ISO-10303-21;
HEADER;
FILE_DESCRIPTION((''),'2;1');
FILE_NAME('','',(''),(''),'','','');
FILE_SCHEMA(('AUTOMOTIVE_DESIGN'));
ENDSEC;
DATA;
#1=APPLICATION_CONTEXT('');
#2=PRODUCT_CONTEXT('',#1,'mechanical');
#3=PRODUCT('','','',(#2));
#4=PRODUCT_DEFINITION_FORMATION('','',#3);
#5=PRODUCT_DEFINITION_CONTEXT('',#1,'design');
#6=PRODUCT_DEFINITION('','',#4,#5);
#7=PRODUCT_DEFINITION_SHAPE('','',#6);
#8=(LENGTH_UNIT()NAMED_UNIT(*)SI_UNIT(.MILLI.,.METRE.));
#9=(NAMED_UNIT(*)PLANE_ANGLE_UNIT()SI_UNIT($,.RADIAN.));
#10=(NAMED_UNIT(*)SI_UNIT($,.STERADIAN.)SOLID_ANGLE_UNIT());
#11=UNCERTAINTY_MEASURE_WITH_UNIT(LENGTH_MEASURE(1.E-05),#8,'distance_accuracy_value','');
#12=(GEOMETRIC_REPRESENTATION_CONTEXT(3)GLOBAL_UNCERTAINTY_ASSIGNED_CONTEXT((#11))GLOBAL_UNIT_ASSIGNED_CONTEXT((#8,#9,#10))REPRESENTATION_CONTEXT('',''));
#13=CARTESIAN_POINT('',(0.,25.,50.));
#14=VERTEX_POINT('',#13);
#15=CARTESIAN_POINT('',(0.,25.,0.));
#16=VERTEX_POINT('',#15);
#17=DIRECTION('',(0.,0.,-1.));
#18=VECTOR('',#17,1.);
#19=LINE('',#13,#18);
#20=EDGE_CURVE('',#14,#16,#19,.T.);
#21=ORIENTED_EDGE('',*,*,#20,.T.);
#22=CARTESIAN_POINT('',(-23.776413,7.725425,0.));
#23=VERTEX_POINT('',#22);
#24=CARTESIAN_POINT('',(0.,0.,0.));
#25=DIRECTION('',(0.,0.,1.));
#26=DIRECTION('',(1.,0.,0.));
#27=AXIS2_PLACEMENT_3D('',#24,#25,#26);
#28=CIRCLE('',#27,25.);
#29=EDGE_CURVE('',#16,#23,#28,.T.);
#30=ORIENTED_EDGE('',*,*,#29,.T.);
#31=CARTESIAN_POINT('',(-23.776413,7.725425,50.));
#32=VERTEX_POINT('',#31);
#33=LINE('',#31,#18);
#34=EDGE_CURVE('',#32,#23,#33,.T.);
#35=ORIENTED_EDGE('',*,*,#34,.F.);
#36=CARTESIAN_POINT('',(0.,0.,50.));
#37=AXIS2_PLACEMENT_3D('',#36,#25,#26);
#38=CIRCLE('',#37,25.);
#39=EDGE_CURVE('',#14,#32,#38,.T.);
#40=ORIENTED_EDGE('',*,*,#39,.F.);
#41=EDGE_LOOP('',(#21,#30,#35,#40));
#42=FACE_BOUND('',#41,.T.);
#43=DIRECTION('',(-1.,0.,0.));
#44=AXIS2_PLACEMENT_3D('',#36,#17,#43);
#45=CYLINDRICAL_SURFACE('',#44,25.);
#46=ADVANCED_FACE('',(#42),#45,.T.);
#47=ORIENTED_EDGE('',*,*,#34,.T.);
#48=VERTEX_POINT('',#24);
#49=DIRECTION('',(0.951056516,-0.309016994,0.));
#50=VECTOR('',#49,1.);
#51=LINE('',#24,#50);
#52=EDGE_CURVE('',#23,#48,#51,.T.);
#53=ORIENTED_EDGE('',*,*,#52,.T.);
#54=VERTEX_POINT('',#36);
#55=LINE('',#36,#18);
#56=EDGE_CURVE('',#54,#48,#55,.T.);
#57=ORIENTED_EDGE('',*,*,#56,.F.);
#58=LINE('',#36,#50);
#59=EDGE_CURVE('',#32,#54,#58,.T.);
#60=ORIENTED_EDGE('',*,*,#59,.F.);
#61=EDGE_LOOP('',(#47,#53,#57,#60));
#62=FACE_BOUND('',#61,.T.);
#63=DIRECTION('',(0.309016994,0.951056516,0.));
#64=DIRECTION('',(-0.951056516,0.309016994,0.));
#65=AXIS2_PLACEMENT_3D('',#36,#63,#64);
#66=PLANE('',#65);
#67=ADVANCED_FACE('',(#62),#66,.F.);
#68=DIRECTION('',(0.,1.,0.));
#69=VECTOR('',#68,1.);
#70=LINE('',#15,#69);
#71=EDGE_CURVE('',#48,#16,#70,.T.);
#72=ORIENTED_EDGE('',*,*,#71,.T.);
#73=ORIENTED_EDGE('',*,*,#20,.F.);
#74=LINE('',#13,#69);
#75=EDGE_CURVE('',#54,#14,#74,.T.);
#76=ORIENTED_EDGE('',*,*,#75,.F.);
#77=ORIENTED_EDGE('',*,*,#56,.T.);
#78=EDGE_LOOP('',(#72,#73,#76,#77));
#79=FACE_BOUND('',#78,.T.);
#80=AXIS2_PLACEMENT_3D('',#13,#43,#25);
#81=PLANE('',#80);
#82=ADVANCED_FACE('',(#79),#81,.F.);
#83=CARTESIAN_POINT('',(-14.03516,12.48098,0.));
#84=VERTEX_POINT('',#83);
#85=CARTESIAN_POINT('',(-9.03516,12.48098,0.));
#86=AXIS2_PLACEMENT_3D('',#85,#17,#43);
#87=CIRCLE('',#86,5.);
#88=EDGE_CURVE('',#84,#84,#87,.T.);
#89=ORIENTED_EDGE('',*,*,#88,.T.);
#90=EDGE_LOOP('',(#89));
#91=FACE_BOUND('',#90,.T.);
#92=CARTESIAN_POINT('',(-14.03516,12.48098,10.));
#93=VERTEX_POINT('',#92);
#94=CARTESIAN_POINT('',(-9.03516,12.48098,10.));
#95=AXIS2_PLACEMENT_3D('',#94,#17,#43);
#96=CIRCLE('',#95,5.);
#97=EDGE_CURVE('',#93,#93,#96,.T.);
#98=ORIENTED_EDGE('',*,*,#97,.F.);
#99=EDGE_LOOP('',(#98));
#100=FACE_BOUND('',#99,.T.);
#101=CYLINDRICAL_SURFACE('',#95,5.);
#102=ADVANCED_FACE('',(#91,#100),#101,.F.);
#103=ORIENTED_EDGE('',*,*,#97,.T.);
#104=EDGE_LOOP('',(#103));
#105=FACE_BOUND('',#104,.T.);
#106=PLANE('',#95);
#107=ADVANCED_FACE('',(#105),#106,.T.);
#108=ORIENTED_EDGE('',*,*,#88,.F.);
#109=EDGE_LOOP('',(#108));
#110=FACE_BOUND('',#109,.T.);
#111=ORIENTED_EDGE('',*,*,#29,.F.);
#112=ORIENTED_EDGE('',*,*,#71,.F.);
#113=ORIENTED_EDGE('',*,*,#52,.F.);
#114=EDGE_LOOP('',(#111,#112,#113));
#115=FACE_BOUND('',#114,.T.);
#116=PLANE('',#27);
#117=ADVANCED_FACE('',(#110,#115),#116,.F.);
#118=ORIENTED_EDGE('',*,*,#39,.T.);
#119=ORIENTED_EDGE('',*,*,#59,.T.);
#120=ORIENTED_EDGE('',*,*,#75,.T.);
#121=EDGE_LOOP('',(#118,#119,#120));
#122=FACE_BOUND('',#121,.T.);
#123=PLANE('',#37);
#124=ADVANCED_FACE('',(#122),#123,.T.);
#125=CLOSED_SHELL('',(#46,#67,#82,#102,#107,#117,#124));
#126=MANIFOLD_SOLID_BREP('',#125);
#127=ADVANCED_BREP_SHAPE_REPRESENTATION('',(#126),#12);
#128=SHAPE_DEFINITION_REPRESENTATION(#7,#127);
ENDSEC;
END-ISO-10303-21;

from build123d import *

# Parameters (mm, degrees)
SALIENTE_EXTRUIR1_DEPTH = 50
CROQUIS2_R              = 5
CORTAR_EXTRUIR1_DEPTH   = 10


with BuildPart() as part:
    # Croquis1 → Saliente-Extruir1 (new body)
    with BuildSketch(Plane.XY):
        with BuildLine():
            Line((0, 25), (0, 0))
            Line((0, 0), (-23.776412907, 7.725424859))
            ThreePointArc((-23.776412907, 7.725424859), (-14.694631307, 20.225424859), (0, 25))
        make_face()
    extrude(amount=SALIENTE_EXTRUIR1_DEPTH)

    # Croquis2 → Cortar-Extruir1 (cut)
    with BuildSketch(Plane(origin=(0, 0, 0), x_dir=(-1, 0, 0), z_dir=(0, 0, -1))):
        with Locations((9.035159756, 12.480979689)):
            Circle(CROQUIS2_R)
    extrude(amount=-CORTAR_EXTRUIR1_DEPTH, mode=Mode.SUBTRACT)


solid = part.part
